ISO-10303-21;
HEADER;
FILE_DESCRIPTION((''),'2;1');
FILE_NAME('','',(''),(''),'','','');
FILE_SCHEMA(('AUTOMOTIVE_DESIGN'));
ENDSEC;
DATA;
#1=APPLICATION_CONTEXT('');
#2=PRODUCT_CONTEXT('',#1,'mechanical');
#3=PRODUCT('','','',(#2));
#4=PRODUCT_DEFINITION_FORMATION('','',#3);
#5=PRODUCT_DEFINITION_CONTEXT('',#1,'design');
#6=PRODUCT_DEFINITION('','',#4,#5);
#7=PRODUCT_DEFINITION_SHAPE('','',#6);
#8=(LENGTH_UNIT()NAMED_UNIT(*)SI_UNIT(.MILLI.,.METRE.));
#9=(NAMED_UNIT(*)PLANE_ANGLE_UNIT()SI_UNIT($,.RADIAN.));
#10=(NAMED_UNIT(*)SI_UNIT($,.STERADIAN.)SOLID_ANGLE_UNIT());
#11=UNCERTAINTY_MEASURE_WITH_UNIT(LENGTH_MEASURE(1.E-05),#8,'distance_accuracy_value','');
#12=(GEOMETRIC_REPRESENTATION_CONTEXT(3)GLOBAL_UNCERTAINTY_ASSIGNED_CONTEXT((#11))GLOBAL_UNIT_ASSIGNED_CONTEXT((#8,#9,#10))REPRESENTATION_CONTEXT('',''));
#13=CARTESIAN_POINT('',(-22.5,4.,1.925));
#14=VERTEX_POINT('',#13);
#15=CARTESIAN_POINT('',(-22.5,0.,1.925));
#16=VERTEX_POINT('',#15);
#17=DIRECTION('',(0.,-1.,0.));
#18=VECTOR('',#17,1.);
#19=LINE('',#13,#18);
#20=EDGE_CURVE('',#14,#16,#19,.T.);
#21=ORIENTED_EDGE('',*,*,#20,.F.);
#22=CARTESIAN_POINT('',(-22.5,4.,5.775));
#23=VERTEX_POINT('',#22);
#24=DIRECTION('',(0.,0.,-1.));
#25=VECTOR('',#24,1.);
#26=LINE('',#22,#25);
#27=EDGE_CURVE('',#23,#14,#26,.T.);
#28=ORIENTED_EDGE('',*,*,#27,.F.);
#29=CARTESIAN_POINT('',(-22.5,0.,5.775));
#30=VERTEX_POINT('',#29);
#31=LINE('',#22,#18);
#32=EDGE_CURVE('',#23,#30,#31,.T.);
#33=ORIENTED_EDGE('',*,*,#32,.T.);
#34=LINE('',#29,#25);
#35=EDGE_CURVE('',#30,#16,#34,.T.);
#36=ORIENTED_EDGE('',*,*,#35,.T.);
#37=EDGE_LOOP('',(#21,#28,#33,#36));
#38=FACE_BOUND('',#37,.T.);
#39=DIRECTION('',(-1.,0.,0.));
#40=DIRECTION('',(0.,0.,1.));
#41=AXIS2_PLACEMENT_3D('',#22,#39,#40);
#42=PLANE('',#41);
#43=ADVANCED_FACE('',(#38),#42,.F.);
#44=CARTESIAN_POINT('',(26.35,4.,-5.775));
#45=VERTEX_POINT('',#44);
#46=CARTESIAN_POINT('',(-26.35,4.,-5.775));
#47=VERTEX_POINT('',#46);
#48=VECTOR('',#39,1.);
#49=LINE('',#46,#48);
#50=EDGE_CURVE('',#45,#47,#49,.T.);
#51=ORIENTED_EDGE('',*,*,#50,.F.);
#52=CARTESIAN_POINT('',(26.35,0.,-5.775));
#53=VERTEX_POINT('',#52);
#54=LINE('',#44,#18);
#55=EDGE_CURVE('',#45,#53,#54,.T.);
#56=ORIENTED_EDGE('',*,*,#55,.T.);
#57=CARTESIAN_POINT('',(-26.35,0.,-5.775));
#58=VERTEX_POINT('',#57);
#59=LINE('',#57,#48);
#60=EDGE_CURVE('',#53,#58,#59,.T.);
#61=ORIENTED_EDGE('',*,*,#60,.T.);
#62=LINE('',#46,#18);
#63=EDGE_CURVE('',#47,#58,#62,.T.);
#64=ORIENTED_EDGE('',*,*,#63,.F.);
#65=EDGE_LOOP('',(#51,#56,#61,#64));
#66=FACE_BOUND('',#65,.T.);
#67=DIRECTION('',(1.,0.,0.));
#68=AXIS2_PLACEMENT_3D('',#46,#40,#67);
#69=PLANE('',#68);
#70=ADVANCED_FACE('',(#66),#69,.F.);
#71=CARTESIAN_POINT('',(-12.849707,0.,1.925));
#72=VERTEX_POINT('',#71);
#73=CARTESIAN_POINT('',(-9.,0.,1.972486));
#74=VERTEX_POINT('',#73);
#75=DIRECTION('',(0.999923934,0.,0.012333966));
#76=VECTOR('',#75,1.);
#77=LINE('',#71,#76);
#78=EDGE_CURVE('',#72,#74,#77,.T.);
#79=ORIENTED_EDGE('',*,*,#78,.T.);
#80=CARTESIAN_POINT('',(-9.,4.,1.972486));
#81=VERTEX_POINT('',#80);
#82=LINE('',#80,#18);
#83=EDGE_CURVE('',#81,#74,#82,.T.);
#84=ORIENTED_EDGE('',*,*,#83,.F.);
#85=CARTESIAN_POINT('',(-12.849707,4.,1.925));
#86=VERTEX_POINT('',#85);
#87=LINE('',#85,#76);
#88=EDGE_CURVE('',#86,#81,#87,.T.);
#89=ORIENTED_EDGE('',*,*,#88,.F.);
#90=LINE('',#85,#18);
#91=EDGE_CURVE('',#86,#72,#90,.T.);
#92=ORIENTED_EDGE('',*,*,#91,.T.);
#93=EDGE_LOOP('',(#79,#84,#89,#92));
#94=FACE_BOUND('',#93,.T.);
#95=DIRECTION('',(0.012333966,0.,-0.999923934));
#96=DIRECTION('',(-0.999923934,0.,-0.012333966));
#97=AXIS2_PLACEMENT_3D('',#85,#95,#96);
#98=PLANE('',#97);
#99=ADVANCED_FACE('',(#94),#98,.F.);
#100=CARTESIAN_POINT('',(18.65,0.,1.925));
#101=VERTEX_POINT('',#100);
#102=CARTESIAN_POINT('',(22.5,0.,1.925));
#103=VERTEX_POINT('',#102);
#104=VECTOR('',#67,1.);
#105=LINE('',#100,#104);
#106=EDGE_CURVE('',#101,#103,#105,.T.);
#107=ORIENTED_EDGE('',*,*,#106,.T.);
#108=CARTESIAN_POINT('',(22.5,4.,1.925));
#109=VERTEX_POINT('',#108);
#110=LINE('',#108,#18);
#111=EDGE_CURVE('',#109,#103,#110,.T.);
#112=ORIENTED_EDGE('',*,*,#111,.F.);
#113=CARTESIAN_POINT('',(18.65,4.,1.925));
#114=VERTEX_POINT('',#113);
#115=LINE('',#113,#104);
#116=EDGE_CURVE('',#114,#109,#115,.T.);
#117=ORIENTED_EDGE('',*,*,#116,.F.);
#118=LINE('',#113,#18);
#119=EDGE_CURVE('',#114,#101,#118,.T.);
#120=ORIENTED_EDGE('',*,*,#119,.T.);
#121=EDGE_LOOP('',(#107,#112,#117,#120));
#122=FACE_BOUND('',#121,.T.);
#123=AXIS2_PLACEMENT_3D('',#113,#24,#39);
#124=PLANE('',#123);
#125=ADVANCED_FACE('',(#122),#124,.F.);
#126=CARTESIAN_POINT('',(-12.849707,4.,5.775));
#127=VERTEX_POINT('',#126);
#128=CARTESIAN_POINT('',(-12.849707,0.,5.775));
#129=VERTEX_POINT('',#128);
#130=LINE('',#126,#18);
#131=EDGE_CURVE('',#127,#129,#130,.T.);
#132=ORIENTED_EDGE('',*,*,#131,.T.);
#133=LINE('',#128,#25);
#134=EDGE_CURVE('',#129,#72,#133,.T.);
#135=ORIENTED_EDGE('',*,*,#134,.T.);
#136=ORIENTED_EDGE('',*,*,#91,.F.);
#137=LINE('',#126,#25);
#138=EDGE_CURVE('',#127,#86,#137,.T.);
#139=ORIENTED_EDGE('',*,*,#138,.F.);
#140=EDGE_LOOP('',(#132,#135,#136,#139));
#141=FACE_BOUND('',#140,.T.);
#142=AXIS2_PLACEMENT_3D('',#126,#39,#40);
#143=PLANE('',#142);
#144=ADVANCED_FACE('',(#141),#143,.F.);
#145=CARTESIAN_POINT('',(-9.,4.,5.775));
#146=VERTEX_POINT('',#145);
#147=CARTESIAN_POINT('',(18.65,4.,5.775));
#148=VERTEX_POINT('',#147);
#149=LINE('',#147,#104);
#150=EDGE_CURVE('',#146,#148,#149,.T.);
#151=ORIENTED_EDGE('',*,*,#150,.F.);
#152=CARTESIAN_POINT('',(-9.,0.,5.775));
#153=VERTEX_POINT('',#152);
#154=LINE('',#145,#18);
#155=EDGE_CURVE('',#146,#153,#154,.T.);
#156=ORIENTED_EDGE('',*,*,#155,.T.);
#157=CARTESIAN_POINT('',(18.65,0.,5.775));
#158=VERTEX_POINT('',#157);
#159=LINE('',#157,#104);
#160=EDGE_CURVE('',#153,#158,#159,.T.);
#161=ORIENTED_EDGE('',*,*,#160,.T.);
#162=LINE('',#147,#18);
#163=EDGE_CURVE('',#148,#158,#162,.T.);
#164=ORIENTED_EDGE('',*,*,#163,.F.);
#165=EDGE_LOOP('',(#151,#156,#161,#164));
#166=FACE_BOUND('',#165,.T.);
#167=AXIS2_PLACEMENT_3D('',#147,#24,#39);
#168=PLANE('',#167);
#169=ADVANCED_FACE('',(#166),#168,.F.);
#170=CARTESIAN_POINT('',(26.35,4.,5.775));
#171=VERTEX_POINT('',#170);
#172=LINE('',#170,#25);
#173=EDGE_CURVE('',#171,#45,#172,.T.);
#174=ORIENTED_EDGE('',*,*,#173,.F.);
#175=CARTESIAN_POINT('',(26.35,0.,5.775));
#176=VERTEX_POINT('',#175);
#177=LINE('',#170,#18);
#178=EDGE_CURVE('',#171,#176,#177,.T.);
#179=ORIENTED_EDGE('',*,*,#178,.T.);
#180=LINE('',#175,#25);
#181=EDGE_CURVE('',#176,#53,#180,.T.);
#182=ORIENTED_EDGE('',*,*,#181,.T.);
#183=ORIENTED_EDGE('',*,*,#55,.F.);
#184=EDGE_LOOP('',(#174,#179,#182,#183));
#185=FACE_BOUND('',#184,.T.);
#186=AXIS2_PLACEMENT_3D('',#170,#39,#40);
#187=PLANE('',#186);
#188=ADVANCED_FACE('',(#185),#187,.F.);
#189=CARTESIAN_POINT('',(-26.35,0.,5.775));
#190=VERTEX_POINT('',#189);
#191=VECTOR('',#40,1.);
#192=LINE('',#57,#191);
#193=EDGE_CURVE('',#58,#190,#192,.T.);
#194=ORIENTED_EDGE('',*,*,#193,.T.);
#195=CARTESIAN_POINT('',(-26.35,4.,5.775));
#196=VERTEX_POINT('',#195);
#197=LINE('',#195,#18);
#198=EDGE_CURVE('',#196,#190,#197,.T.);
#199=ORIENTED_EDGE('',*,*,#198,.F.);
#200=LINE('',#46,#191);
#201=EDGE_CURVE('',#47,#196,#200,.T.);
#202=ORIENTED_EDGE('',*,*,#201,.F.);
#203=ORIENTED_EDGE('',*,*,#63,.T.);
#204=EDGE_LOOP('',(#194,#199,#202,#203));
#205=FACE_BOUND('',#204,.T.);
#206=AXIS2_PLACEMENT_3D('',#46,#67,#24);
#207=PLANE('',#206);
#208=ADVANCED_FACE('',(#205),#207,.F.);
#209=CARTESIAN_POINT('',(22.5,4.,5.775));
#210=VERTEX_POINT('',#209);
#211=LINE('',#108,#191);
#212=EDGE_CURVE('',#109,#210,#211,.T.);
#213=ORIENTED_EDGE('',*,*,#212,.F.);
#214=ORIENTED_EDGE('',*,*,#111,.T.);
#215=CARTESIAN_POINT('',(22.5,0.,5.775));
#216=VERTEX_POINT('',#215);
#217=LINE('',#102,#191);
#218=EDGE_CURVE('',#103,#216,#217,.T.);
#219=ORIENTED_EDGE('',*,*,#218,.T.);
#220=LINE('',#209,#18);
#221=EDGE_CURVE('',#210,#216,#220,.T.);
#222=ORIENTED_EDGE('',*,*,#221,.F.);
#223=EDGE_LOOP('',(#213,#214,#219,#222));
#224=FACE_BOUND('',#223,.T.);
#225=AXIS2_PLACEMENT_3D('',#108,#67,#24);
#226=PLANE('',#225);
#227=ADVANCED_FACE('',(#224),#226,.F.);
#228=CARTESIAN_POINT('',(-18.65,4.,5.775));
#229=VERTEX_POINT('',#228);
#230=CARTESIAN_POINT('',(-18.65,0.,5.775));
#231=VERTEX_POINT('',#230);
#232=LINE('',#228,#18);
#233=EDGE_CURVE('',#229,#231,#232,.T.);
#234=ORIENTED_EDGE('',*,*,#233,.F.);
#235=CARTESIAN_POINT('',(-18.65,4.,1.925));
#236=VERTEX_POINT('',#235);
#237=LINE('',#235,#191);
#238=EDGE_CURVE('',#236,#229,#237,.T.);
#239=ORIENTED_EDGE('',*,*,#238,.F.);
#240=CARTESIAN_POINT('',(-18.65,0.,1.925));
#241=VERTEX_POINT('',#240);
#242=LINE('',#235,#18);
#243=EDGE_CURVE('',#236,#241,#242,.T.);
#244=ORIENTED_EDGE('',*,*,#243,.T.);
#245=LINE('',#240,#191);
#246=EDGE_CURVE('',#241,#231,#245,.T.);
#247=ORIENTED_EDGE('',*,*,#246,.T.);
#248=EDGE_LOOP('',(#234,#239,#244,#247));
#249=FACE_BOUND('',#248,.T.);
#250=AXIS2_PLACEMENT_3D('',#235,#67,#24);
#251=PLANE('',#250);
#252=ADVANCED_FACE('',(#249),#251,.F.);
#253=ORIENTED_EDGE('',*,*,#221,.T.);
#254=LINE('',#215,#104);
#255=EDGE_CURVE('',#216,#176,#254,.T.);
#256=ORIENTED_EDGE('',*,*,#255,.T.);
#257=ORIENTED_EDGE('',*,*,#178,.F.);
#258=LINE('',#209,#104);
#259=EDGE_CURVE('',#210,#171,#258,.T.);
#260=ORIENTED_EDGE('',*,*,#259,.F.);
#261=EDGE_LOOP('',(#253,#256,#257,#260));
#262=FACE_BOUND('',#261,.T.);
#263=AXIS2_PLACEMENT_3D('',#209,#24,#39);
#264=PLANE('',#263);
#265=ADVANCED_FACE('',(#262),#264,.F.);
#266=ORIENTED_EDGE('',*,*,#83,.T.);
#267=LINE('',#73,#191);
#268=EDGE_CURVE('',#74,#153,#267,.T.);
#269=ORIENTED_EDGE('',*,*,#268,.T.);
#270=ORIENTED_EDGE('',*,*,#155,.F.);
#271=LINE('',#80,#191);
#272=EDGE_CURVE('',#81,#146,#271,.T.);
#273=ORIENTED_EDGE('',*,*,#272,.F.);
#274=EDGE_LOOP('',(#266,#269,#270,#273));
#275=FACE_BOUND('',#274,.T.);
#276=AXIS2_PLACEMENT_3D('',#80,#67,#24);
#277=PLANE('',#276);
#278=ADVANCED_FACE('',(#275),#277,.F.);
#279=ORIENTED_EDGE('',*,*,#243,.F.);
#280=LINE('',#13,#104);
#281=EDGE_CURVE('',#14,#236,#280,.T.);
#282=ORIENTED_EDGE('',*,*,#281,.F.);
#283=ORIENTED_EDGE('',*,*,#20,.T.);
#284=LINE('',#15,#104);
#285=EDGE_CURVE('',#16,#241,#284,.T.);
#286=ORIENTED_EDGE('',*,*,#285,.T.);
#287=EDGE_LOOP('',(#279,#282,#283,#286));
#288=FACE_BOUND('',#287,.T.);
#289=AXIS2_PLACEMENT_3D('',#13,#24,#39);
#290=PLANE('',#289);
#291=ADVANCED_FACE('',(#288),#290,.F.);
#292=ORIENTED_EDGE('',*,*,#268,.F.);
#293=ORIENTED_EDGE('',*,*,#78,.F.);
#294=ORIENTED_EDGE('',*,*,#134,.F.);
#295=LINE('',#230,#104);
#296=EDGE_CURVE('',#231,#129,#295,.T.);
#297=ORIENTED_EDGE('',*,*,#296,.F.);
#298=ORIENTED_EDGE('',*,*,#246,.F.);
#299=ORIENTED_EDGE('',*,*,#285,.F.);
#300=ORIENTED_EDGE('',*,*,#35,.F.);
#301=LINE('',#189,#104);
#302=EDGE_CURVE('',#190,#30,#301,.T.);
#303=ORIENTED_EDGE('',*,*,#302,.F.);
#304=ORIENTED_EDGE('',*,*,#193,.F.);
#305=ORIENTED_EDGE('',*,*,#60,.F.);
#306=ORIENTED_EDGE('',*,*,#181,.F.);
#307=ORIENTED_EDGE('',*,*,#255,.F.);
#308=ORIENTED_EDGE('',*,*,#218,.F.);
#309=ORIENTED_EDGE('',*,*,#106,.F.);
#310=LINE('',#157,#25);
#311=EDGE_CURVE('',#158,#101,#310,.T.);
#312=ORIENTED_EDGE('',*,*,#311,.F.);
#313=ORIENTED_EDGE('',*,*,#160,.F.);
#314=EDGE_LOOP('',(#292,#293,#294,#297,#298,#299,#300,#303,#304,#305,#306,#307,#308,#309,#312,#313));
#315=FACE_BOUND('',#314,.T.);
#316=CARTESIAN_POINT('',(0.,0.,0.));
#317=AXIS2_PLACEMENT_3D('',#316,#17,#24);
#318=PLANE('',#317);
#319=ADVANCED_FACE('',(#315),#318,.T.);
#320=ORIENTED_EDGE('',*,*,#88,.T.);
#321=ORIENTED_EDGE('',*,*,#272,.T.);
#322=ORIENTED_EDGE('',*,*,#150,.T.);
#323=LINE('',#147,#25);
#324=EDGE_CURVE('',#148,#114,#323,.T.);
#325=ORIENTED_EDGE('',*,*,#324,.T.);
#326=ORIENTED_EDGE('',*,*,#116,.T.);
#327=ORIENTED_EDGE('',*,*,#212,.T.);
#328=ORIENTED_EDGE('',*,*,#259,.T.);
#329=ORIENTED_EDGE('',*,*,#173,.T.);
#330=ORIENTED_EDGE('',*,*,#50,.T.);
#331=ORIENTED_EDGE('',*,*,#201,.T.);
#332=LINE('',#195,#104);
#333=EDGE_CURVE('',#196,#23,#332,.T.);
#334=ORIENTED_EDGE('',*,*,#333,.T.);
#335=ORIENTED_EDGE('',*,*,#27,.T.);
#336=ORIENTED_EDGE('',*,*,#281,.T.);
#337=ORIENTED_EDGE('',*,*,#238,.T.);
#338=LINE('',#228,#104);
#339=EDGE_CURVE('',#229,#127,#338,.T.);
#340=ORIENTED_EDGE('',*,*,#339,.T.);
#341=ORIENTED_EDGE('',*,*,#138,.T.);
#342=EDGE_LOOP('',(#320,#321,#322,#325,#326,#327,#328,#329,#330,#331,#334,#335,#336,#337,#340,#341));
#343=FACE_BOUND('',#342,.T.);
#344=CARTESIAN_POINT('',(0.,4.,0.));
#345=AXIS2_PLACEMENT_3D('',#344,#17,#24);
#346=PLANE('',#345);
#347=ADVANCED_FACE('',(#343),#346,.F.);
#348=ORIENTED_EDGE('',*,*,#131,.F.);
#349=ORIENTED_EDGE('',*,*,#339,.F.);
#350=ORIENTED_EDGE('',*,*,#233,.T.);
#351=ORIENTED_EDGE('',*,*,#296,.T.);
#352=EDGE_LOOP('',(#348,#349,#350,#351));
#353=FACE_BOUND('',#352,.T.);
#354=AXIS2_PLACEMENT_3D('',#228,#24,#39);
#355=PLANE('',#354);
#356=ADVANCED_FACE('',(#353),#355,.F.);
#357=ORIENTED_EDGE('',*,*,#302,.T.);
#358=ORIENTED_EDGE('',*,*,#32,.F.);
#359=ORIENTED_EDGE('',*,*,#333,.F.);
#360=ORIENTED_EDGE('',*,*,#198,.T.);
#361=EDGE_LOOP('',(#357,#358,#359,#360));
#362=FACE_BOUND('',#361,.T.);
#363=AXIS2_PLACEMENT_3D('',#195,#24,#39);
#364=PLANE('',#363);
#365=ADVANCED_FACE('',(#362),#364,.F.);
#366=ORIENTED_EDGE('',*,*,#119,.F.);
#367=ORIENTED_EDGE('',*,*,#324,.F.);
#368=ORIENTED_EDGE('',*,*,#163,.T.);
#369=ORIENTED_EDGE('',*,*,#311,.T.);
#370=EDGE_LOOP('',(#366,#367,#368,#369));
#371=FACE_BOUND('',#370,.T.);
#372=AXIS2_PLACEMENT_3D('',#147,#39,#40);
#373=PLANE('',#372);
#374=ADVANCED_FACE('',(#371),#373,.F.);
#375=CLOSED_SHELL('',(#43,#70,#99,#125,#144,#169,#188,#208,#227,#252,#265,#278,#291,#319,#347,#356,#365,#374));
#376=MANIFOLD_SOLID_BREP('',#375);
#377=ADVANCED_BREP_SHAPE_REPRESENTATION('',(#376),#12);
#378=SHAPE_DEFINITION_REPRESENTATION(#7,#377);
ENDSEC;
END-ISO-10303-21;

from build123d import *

# Parameters (mm, degrees)
BOSS_EXTRUDE1_DEPTH = 4


with BuildPart() as part:
    # Sketch1 → Boss-Extrude1 (new body)
    with BuildSketch(Plane(origin=(0, 0, 0), x_dir=(1, 0, 0), z_dir=(0, 1, 0))):
        Polygon((-26.35, 5.775), (26.35, 5.775), (26.35, -5.775), (22.5, -5.775), (22.5, -1.925), (18.65, -1.925), (18.65, -5.775), (-9, -5.775), (-9, -1.972485769), (-12.849707145, -1.925), (-12.849707145, -5.775), (-18.65, -5.775), (-18.65, -1.925), (-22.5, -1.925), (-22.5, -5.775), (-26.35, -5.775), align=None)
    extrude(amount=BOSS_EXTRUDE1_DEPTH)


solid = part.part
